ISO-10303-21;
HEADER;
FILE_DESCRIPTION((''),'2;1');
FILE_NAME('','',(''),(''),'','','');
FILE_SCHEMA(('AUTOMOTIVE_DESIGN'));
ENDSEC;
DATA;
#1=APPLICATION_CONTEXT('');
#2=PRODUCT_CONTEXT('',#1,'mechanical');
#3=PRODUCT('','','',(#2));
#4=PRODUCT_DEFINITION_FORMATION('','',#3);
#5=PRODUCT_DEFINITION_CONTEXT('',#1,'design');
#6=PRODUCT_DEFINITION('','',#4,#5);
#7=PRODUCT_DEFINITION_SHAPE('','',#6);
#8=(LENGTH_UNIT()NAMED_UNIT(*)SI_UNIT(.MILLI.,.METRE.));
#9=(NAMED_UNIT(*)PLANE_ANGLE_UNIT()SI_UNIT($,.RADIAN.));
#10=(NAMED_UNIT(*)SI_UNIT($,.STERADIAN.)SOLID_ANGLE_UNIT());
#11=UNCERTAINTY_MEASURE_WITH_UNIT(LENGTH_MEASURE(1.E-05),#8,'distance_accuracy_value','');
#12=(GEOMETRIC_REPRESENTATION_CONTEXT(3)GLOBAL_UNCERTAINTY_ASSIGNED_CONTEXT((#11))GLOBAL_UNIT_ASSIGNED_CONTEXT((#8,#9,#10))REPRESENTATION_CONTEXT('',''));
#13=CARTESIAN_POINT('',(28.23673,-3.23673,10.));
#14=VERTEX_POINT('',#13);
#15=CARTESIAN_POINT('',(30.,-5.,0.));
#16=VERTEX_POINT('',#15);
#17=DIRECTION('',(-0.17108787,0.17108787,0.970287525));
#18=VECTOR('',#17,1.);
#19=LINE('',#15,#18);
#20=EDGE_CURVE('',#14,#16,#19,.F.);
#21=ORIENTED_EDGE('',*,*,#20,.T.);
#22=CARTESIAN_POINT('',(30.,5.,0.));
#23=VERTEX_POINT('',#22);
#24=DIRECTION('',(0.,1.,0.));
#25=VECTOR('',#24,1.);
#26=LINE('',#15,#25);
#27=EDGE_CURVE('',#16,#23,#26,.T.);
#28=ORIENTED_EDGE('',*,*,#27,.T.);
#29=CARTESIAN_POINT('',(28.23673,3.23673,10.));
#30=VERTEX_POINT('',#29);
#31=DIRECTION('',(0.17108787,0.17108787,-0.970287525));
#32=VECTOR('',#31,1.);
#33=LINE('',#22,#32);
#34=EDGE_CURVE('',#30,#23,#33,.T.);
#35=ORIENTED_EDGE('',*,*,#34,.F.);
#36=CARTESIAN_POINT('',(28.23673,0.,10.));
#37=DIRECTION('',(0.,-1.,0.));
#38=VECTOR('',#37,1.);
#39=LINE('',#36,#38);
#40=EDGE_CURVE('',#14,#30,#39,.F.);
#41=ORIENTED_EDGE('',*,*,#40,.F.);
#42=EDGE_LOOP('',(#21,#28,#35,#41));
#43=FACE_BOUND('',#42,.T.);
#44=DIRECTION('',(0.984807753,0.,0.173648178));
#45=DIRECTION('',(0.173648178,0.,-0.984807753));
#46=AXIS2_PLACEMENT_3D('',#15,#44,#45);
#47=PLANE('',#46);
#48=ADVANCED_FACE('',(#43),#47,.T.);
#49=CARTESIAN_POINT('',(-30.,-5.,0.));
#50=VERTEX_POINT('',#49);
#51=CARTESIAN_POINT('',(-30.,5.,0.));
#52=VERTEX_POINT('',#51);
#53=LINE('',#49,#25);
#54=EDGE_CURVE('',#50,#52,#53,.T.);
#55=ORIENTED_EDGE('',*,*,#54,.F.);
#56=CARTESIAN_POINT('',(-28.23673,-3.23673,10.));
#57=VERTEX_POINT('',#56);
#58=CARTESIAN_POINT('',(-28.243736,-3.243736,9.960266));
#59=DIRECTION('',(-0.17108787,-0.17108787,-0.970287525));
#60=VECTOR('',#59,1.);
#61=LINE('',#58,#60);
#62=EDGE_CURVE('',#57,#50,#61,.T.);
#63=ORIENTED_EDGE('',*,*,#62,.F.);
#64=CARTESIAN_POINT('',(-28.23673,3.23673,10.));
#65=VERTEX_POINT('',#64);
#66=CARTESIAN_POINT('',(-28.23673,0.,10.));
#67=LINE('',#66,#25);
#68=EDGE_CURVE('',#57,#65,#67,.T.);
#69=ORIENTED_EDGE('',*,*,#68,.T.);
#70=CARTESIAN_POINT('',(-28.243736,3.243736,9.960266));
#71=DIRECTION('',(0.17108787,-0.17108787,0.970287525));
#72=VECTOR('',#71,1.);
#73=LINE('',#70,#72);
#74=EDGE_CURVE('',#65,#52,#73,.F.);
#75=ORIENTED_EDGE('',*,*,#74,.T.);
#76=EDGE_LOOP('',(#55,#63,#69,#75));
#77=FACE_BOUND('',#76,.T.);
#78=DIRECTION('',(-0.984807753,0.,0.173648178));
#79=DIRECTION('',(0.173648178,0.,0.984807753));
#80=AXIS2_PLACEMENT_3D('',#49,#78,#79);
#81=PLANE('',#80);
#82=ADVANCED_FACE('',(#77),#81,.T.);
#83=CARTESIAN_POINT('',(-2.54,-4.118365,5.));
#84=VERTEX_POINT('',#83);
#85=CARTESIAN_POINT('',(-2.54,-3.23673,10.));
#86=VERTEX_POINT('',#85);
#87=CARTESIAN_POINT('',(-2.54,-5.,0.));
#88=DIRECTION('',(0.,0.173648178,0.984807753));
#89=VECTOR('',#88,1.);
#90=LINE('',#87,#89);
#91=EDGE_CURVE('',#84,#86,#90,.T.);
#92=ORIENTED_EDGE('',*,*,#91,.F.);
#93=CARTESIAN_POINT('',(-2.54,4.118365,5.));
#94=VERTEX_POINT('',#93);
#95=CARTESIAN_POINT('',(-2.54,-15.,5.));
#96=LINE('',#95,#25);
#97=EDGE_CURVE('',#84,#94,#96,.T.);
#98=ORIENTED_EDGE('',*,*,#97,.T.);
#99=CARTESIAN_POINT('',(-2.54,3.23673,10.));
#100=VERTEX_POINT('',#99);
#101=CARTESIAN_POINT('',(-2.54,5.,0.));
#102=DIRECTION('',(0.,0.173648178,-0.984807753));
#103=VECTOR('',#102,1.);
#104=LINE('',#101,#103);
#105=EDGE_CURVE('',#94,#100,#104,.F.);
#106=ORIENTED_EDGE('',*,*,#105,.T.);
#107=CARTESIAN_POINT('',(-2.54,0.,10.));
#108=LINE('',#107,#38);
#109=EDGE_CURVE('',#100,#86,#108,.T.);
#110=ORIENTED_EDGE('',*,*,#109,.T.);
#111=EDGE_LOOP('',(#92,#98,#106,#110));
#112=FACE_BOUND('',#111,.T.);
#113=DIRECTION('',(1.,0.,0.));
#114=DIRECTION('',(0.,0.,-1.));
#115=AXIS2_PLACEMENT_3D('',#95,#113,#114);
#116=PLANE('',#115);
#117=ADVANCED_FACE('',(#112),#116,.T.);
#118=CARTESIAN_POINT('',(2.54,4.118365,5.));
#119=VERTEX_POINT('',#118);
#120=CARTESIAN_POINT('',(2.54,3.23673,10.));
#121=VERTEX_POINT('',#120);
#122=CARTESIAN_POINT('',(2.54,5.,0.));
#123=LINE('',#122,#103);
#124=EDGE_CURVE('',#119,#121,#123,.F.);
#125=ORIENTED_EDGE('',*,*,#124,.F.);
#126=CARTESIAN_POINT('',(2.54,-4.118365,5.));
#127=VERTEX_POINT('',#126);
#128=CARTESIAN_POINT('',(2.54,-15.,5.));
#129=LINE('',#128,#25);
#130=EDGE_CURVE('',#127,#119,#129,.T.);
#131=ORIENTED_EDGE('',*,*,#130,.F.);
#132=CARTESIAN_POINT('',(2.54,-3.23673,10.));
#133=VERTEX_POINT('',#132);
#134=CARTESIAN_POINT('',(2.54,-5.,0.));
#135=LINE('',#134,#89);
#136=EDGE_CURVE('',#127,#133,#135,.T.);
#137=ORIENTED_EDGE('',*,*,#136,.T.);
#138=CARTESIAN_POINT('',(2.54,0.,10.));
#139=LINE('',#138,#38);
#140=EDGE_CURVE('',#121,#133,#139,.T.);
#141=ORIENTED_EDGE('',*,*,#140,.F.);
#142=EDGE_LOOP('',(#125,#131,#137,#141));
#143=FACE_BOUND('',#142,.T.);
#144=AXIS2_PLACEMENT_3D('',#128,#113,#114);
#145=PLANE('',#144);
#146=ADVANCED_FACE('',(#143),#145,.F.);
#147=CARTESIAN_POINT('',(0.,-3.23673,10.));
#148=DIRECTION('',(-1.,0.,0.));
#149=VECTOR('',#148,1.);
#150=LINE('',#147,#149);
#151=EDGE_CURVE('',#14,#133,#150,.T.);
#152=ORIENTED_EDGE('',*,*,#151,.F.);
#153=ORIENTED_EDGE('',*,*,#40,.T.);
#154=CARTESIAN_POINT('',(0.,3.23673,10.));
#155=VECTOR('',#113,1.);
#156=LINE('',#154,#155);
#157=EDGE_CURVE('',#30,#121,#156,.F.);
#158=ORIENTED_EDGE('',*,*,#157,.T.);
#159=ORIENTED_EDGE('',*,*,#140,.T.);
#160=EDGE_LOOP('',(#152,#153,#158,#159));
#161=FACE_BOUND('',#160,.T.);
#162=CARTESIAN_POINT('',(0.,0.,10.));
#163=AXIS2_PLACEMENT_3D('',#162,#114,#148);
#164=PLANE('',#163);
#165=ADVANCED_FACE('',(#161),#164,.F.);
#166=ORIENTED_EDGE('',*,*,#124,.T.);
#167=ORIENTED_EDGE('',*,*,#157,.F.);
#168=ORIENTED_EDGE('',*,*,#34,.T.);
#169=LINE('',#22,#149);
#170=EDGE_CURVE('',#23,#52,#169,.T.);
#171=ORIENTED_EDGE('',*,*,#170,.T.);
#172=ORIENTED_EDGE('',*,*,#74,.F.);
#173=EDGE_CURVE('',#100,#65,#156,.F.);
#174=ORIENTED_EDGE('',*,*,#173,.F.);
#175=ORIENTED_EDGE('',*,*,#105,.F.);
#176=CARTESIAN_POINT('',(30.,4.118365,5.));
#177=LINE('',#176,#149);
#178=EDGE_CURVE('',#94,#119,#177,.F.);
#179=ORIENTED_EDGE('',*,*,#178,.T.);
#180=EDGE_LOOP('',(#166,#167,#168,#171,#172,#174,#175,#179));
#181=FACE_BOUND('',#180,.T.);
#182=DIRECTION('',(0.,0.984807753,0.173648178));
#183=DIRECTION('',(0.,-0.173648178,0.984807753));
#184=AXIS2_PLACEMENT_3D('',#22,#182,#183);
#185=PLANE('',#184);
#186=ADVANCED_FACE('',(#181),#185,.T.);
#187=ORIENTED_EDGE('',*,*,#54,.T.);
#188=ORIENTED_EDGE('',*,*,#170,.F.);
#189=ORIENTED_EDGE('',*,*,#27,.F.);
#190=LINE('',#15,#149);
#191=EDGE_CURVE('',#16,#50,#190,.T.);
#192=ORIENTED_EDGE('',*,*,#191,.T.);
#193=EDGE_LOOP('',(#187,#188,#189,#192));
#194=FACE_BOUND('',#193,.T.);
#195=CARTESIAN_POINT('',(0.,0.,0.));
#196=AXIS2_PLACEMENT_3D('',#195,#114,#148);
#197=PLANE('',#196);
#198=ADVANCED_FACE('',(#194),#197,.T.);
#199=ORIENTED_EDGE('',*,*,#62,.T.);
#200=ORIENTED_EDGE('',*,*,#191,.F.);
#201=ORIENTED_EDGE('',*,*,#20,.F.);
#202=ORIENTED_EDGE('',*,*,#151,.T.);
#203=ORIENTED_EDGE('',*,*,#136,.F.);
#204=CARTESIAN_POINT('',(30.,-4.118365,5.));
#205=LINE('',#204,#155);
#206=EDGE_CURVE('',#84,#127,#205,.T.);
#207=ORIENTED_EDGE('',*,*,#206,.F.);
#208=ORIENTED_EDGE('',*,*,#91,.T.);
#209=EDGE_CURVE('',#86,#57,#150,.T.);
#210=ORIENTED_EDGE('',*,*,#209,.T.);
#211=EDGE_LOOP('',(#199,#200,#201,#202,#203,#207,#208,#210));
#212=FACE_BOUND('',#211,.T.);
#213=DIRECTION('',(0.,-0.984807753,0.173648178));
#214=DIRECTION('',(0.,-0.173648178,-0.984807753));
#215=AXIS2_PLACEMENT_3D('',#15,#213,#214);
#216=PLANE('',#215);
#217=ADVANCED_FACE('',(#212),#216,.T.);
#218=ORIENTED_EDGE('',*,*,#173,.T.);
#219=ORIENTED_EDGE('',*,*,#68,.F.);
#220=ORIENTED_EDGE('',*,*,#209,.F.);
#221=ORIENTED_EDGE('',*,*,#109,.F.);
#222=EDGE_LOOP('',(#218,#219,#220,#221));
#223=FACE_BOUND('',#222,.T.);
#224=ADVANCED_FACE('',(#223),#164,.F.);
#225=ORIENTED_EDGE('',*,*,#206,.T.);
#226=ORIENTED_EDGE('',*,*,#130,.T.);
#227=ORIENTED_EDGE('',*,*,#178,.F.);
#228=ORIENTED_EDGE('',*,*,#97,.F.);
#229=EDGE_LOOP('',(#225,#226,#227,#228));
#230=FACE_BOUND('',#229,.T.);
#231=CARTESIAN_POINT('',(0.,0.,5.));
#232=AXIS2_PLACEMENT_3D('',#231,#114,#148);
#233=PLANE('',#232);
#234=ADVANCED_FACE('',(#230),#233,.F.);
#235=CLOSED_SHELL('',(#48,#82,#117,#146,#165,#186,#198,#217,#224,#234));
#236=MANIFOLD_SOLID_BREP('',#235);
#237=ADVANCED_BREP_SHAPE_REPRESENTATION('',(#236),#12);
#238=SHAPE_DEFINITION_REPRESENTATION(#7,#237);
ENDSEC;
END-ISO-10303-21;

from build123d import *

# Parameters (mm, degrees)
SKETCH1_W           = 10
SKETCH1_H           = 60
BOSS_EXTRUDE1_DEPTH = 10
DRAFT1_ANGLE        = -10
SKETCH2_W           = 5.08
SKETCH2_H           = 30
CUT_EXTRUDE1_DEPTH  = 5


with BuildPart() as part:
    # Sketch1 → Boss-Extrude1 (new body)
    with BuildSketch(Plane(origin=(0, 0, 0), x_dir=(0, 1, 0), z_dir=(0, 0, 1))):
        Rectangle(SKETCH1_W, SKETCH1_H)
    extrude(amount=BOSS_EXTRUDE1_DEPTH)

    # Draft1
    draft1_faces = [part.faces().sort_by_distance(p)[0] for p in [
        (-30, 0, 5),
        (0, -5, 5),
        (0, 5, 5),
        (30, 0, 5),
    ]]
    draft(draft1_faces, Plane(origin=(0, 0, 0), x_dir=(-1, 0, 0), z_dir=(0, 0, -1)), DRAFT1_ANGLE)

    # Sketch2 → Cut-Extrude1 (cut)
    with BuildSketch(Plane.XY.offset(10)):
        Rectangle(SKETCH2_W, SKETCH2_H)
    extrude(amount=-CUT_EXTRUDE1_DEPTH, mode=Mode.SUBTRACT)


solid = part.part
